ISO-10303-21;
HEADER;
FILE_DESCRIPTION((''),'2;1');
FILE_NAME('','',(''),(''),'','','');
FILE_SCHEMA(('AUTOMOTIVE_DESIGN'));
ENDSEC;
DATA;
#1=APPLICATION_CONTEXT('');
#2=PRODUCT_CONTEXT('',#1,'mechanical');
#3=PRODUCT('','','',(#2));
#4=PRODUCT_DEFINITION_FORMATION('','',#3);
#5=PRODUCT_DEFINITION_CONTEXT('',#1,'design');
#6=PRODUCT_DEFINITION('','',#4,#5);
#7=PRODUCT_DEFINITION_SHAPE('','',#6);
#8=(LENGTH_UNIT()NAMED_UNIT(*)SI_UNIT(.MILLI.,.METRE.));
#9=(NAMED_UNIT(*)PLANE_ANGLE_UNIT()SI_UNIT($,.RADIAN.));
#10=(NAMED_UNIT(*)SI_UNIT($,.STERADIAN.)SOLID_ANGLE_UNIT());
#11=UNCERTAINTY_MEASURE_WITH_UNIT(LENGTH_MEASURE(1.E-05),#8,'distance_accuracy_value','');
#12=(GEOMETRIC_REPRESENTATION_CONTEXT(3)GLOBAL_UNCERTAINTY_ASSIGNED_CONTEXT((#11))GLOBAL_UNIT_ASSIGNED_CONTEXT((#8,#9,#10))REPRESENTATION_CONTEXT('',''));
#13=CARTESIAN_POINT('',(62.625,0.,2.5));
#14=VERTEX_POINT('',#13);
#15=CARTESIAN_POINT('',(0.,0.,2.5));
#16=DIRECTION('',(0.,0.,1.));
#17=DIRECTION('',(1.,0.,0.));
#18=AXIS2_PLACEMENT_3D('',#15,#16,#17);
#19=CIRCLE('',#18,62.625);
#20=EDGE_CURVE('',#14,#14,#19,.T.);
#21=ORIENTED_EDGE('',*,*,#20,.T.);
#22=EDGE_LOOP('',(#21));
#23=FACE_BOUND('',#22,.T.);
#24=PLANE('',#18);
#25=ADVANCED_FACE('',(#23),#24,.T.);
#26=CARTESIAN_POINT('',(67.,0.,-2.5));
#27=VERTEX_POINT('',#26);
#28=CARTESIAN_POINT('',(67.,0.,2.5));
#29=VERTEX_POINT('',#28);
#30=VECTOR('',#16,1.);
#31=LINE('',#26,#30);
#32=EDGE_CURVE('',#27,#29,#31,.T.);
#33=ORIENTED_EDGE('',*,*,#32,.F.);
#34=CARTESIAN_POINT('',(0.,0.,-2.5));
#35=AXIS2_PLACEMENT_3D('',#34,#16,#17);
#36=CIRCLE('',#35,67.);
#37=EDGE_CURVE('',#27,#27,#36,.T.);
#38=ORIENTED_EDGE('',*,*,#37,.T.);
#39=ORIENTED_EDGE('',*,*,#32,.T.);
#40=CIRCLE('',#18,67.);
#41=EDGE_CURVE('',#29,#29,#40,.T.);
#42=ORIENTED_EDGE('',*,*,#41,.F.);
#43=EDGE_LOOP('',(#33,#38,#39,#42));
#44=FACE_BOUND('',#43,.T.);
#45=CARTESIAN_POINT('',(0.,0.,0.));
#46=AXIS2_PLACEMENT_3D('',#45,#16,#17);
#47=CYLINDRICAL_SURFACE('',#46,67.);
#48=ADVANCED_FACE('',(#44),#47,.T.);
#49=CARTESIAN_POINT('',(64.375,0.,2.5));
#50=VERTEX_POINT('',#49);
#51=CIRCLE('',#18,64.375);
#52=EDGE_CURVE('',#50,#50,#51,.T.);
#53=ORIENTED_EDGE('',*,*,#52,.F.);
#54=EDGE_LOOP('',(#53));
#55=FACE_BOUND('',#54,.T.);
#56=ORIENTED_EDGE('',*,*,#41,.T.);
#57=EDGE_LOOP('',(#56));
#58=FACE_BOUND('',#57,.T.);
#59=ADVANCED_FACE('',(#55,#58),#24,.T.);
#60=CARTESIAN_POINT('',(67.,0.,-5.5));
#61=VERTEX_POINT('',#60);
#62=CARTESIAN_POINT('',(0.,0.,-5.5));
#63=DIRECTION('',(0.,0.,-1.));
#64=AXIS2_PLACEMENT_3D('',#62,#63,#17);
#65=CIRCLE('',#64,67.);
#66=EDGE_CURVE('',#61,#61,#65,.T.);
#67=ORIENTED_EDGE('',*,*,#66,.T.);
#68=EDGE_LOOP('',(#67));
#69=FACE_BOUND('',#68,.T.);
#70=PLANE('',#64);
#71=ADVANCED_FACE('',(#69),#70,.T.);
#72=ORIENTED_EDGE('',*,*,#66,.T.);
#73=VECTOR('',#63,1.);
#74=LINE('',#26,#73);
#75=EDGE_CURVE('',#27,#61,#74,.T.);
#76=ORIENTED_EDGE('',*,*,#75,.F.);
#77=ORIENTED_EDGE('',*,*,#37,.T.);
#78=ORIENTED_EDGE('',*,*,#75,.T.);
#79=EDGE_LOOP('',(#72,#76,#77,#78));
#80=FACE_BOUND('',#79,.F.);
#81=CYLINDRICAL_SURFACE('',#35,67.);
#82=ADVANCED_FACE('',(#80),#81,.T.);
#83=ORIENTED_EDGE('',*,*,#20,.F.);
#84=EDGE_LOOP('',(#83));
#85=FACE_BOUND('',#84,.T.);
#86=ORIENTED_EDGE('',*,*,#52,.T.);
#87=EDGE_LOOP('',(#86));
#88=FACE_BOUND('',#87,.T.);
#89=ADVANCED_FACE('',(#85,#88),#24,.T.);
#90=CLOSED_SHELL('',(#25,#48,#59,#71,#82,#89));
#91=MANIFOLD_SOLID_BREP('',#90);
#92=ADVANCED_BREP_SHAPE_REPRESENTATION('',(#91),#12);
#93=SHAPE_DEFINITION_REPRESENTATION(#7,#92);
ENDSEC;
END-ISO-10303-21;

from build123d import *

# Parameters (mm, degrees)
F0_R       = 67
F1_DEPTH   = 2.5
F2_R       = 64.375
F2_R_2     = 62.625
F1_FACE1_R = 67
F3_DEPTH   = 3


with BuildPart() as f1:
    # F0 (on Top) → F1 (new body, symmetric)
    with BuildSketch(Plane.XY):
        Circle(F0_R)
    extrude(amount=F1_DEPTH, both=True)

    # F2 (on face) + F1_face1 (on face) → F3 (join)
    with BuildSketch(Plane.XY.offset(2.5)):
        Circle(F2_R)
        Circle(F2_R_2, mode=Mode.SUBTRACT)
    with BuildSketch(Plane(origin=(0, 0, -2.5), x_dir=(1, 0, 0), z_dir=(0, 0, -1))):
        Circle(F1_FACE1_R)
    extrude(amount=-F3_DEPTH, dir=(0, 0, 1))


solid = f1.part
